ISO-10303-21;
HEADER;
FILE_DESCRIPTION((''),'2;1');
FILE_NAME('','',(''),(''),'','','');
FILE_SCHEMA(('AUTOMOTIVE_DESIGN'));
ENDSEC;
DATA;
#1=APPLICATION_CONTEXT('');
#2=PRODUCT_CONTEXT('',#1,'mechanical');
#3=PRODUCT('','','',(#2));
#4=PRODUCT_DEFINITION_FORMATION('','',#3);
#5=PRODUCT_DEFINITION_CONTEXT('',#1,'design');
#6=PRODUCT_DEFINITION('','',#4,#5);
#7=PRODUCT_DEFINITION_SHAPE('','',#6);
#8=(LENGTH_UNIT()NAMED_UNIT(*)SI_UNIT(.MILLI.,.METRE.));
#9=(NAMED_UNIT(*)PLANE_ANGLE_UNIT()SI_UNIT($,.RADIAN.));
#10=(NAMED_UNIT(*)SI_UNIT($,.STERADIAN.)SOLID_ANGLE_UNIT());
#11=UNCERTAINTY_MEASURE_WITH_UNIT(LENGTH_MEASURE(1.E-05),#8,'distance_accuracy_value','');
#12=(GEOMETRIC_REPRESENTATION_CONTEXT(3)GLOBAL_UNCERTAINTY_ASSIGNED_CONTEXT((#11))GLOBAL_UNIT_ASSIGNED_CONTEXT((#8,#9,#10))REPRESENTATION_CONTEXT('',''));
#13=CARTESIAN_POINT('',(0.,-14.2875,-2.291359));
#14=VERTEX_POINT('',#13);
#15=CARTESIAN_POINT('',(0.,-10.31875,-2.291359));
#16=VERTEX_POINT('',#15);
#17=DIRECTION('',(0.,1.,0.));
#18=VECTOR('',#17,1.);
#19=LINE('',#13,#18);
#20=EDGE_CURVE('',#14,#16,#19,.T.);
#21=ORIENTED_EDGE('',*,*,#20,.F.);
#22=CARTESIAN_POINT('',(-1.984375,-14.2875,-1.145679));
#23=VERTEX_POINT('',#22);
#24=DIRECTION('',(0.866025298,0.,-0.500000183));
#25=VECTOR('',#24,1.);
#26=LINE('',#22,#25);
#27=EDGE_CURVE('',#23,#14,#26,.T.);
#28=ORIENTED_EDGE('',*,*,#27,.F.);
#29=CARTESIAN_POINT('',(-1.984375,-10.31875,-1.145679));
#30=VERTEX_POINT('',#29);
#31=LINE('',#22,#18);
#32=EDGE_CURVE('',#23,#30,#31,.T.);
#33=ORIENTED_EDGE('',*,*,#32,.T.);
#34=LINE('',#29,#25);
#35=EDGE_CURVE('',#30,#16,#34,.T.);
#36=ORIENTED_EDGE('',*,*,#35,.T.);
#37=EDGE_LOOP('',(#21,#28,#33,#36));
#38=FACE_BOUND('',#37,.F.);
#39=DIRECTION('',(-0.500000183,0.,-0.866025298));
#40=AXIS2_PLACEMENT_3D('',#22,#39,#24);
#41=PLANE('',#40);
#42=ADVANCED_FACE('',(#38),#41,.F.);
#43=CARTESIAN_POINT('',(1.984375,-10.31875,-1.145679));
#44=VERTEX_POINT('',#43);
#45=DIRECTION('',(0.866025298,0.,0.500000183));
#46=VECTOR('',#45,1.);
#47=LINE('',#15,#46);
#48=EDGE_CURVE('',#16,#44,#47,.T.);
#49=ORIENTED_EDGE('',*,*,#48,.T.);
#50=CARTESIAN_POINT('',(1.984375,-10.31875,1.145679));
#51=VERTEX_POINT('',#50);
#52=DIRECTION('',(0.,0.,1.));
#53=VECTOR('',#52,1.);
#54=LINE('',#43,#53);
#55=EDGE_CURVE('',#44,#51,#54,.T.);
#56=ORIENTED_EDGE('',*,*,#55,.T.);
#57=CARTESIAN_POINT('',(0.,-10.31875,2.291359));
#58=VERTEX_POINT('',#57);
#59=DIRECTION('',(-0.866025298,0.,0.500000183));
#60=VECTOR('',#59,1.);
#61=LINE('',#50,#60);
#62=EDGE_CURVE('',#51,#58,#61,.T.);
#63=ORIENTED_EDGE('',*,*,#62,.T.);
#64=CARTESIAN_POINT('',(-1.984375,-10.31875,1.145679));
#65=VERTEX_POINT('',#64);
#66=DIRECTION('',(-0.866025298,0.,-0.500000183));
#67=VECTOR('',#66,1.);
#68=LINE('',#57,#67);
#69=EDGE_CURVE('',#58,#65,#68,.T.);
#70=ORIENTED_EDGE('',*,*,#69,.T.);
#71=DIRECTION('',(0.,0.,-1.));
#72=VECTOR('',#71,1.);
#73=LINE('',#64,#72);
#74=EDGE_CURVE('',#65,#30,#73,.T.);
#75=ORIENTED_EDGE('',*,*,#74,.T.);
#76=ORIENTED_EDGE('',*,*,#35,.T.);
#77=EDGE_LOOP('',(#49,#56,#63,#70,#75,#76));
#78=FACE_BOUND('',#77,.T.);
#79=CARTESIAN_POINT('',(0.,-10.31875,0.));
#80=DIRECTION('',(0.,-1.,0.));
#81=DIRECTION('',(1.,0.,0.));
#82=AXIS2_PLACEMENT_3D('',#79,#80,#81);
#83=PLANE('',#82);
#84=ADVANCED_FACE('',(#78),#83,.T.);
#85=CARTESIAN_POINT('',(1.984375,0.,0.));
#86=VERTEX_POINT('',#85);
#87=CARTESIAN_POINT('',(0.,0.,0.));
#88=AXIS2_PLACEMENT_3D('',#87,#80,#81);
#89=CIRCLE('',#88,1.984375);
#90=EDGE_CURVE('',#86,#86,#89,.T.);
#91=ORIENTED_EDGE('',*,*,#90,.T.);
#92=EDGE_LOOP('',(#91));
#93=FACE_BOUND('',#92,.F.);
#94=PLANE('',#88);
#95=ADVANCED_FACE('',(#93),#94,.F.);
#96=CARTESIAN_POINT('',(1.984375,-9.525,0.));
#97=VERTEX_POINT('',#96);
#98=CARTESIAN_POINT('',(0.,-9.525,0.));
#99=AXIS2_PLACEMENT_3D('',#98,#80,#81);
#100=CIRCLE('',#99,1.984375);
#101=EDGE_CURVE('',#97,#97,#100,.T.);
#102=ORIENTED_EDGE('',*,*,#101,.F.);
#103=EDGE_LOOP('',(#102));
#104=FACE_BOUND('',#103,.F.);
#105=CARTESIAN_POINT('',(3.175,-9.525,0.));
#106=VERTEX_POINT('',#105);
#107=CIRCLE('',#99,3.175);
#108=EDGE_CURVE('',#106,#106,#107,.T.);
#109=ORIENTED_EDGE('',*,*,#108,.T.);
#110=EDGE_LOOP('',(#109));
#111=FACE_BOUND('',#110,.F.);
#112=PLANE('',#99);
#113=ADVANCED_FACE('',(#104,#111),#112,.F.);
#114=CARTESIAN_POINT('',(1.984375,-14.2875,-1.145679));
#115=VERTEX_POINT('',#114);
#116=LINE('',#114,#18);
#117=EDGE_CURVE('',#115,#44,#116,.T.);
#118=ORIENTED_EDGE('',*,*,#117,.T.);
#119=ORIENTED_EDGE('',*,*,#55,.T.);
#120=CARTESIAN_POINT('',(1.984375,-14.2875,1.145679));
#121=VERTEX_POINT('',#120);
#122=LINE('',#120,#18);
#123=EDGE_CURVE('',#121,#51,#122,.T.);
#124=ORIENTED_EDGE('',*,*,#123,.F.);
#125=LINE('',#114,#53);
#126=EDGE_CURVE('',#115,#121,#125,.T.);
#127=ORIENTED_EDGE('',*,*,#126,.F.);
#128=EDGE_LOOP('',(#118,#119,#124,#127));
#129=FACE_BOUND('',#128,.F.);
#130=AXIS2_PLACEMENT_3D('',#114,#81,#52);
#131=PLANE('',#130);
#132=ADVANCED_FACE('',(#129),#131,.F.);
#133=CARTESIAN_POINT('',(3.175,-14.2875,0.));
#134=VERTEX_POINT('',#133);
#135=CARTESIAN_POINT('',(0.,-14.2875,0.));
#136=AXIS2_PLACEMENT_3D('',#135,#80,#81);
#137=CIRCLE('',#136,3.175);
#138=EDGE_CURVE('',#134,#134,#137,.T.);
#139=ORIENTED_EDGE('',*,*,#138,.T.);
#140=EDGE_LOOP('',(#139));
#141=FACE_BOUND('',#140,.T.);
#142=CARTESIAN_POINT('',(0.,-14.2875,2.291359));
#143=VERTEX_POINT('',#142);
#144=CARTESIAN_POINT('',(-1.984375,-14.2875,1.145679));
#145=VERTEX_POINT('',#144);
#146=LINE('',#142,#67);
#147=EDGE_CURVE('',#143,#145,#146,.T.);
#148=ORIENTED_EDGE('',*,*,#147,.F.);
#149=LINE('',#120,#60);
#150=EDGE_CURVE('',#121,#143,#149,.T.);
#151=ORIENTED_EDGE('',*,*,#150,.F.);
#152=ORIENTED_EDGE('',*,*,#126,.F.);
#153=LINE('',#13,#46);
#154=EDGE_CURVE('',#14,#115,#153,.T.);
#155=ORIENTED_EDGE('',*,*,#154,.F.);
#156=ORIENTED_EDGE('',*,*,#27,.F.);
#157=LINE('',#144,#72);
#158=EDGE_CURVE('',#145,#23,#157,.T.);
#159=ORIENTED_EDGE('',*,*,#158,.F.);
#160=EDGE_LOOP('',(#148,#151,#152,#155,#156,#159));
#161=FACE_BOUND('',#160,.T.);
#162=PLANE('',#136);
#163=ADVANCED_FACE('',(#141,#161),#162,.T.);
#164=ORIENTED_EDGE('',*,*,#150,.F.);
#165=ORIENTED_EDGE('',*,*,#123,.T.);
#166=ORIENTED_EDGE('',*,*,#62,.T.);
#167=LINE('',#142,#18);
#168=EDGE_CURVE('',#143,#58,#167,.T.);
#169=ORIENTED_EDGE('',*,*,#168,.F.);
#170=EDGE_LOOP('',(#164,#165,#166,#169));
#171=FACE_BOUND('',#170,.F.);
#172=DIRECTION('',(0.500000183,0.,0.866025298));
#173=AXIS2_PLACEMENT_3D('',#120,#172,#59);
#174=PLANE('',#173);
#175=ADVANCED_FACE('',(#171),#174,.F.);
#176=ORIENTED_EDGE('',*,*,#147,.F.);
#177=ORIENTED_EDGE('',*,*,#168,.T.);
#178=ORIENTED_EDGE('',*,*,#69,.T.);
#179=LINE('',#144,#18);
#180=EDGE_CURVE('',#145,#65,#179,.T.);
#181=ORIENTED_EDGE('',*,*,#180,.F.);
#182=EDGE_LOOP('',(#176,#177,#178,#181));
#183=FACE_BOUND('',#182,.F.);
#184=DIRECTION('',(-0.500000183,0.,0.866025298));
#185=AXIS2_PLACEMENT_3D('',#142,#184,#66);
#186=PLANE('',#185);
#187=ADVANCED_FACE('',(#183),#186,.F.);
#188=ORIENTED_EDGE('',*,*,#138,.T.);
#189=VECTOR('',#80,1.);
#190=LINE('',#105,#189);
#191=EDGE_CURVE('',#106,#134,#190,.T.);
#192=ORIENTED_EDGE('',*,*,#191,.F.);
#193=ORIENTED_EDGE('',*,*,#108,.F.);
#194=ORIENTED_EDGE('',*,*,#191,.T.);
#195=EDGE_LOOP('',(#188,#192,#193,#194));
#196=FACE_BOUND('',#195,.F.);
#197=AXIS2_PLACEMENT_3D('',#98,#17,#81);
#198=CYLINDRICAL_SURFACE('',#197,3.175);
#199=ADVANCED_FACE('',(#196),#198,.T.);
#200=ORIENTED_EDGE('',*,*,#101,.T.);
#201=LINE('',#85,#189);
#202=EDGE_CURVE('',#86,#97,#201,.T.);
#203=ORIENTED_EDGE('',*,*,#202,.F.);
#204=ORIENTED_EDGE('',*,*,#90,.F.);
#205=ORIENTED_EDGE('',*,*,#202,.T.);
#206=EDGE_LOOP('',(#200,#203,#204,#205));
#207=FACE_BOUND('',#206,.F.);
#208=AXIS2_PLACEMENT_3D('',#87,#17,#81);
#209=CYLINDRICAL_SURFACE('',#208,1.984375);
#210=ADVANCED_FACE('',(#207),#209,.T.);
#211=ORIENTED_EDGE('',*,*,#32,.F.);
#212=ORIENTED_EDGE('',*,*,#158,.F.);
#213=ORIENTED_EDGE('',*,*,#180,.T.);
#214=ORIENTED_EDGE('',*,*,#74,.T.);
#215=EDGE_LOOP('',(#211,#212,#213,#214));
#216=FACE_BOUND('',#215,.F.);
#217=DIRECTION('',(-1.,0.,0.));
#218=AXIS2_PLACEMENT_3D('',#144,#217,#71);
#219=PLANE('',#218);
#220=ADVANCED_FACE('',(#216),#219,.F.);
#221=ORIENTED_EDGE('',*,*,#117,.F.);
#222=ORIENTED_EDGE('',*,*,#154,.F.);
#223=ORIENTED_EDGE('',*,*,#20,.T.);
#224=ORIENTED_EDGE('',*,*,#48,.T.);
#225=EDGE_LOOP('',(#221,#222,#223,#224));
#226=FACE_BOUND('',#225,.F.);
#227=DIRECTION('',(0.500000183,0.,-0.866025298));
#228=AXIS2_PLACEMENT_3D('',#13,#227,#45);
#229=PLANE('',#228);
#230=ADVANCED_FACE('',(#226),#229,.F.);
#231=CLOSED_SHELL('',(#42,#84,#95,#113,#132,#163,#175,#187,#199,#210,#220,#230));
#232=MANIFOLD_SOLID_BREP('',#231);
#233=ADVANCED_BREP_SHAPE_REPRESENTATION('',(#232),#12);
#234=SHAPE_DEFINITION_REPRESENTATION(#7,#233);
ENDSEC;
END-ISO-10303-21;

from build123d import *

# Parameters (mm, degrees)
F0_R     = 1.984375
F1_DEPTH = 9.525
F3_R     = 3.175
F4_DEPTH = 4.7625
F6_DEPTH = 3.96875


with BuildPart() as f1:
    # F0 (on Front) → F1 (new body)
    with BuildSketch(Plane.XZ):
        Circle(F0_R)
    extrude(amount=F1_DEPTH)

    # F3 (on face) → F4 (join)
    with BuildSketch(Plane.XZ.offset(9.525)):
        Circle(F3_R)
    extrude(amount=F4_DEPTH)

    # F5 (on face) → F6 (cut)
    with BuildSketch(Plane.XZ.offset(14.2875)):
        Polygon((1.984375, 1.145679), (0, 2.291359), (-1.984375, 1.145679), (-1.984375, -1.145679), (0, -2.291359), (1.984375, -1.145679), align=None)
    extrude(amount=-F6_DEPTH, mode=Mode.SUBTRACT)


solid = f1.part
